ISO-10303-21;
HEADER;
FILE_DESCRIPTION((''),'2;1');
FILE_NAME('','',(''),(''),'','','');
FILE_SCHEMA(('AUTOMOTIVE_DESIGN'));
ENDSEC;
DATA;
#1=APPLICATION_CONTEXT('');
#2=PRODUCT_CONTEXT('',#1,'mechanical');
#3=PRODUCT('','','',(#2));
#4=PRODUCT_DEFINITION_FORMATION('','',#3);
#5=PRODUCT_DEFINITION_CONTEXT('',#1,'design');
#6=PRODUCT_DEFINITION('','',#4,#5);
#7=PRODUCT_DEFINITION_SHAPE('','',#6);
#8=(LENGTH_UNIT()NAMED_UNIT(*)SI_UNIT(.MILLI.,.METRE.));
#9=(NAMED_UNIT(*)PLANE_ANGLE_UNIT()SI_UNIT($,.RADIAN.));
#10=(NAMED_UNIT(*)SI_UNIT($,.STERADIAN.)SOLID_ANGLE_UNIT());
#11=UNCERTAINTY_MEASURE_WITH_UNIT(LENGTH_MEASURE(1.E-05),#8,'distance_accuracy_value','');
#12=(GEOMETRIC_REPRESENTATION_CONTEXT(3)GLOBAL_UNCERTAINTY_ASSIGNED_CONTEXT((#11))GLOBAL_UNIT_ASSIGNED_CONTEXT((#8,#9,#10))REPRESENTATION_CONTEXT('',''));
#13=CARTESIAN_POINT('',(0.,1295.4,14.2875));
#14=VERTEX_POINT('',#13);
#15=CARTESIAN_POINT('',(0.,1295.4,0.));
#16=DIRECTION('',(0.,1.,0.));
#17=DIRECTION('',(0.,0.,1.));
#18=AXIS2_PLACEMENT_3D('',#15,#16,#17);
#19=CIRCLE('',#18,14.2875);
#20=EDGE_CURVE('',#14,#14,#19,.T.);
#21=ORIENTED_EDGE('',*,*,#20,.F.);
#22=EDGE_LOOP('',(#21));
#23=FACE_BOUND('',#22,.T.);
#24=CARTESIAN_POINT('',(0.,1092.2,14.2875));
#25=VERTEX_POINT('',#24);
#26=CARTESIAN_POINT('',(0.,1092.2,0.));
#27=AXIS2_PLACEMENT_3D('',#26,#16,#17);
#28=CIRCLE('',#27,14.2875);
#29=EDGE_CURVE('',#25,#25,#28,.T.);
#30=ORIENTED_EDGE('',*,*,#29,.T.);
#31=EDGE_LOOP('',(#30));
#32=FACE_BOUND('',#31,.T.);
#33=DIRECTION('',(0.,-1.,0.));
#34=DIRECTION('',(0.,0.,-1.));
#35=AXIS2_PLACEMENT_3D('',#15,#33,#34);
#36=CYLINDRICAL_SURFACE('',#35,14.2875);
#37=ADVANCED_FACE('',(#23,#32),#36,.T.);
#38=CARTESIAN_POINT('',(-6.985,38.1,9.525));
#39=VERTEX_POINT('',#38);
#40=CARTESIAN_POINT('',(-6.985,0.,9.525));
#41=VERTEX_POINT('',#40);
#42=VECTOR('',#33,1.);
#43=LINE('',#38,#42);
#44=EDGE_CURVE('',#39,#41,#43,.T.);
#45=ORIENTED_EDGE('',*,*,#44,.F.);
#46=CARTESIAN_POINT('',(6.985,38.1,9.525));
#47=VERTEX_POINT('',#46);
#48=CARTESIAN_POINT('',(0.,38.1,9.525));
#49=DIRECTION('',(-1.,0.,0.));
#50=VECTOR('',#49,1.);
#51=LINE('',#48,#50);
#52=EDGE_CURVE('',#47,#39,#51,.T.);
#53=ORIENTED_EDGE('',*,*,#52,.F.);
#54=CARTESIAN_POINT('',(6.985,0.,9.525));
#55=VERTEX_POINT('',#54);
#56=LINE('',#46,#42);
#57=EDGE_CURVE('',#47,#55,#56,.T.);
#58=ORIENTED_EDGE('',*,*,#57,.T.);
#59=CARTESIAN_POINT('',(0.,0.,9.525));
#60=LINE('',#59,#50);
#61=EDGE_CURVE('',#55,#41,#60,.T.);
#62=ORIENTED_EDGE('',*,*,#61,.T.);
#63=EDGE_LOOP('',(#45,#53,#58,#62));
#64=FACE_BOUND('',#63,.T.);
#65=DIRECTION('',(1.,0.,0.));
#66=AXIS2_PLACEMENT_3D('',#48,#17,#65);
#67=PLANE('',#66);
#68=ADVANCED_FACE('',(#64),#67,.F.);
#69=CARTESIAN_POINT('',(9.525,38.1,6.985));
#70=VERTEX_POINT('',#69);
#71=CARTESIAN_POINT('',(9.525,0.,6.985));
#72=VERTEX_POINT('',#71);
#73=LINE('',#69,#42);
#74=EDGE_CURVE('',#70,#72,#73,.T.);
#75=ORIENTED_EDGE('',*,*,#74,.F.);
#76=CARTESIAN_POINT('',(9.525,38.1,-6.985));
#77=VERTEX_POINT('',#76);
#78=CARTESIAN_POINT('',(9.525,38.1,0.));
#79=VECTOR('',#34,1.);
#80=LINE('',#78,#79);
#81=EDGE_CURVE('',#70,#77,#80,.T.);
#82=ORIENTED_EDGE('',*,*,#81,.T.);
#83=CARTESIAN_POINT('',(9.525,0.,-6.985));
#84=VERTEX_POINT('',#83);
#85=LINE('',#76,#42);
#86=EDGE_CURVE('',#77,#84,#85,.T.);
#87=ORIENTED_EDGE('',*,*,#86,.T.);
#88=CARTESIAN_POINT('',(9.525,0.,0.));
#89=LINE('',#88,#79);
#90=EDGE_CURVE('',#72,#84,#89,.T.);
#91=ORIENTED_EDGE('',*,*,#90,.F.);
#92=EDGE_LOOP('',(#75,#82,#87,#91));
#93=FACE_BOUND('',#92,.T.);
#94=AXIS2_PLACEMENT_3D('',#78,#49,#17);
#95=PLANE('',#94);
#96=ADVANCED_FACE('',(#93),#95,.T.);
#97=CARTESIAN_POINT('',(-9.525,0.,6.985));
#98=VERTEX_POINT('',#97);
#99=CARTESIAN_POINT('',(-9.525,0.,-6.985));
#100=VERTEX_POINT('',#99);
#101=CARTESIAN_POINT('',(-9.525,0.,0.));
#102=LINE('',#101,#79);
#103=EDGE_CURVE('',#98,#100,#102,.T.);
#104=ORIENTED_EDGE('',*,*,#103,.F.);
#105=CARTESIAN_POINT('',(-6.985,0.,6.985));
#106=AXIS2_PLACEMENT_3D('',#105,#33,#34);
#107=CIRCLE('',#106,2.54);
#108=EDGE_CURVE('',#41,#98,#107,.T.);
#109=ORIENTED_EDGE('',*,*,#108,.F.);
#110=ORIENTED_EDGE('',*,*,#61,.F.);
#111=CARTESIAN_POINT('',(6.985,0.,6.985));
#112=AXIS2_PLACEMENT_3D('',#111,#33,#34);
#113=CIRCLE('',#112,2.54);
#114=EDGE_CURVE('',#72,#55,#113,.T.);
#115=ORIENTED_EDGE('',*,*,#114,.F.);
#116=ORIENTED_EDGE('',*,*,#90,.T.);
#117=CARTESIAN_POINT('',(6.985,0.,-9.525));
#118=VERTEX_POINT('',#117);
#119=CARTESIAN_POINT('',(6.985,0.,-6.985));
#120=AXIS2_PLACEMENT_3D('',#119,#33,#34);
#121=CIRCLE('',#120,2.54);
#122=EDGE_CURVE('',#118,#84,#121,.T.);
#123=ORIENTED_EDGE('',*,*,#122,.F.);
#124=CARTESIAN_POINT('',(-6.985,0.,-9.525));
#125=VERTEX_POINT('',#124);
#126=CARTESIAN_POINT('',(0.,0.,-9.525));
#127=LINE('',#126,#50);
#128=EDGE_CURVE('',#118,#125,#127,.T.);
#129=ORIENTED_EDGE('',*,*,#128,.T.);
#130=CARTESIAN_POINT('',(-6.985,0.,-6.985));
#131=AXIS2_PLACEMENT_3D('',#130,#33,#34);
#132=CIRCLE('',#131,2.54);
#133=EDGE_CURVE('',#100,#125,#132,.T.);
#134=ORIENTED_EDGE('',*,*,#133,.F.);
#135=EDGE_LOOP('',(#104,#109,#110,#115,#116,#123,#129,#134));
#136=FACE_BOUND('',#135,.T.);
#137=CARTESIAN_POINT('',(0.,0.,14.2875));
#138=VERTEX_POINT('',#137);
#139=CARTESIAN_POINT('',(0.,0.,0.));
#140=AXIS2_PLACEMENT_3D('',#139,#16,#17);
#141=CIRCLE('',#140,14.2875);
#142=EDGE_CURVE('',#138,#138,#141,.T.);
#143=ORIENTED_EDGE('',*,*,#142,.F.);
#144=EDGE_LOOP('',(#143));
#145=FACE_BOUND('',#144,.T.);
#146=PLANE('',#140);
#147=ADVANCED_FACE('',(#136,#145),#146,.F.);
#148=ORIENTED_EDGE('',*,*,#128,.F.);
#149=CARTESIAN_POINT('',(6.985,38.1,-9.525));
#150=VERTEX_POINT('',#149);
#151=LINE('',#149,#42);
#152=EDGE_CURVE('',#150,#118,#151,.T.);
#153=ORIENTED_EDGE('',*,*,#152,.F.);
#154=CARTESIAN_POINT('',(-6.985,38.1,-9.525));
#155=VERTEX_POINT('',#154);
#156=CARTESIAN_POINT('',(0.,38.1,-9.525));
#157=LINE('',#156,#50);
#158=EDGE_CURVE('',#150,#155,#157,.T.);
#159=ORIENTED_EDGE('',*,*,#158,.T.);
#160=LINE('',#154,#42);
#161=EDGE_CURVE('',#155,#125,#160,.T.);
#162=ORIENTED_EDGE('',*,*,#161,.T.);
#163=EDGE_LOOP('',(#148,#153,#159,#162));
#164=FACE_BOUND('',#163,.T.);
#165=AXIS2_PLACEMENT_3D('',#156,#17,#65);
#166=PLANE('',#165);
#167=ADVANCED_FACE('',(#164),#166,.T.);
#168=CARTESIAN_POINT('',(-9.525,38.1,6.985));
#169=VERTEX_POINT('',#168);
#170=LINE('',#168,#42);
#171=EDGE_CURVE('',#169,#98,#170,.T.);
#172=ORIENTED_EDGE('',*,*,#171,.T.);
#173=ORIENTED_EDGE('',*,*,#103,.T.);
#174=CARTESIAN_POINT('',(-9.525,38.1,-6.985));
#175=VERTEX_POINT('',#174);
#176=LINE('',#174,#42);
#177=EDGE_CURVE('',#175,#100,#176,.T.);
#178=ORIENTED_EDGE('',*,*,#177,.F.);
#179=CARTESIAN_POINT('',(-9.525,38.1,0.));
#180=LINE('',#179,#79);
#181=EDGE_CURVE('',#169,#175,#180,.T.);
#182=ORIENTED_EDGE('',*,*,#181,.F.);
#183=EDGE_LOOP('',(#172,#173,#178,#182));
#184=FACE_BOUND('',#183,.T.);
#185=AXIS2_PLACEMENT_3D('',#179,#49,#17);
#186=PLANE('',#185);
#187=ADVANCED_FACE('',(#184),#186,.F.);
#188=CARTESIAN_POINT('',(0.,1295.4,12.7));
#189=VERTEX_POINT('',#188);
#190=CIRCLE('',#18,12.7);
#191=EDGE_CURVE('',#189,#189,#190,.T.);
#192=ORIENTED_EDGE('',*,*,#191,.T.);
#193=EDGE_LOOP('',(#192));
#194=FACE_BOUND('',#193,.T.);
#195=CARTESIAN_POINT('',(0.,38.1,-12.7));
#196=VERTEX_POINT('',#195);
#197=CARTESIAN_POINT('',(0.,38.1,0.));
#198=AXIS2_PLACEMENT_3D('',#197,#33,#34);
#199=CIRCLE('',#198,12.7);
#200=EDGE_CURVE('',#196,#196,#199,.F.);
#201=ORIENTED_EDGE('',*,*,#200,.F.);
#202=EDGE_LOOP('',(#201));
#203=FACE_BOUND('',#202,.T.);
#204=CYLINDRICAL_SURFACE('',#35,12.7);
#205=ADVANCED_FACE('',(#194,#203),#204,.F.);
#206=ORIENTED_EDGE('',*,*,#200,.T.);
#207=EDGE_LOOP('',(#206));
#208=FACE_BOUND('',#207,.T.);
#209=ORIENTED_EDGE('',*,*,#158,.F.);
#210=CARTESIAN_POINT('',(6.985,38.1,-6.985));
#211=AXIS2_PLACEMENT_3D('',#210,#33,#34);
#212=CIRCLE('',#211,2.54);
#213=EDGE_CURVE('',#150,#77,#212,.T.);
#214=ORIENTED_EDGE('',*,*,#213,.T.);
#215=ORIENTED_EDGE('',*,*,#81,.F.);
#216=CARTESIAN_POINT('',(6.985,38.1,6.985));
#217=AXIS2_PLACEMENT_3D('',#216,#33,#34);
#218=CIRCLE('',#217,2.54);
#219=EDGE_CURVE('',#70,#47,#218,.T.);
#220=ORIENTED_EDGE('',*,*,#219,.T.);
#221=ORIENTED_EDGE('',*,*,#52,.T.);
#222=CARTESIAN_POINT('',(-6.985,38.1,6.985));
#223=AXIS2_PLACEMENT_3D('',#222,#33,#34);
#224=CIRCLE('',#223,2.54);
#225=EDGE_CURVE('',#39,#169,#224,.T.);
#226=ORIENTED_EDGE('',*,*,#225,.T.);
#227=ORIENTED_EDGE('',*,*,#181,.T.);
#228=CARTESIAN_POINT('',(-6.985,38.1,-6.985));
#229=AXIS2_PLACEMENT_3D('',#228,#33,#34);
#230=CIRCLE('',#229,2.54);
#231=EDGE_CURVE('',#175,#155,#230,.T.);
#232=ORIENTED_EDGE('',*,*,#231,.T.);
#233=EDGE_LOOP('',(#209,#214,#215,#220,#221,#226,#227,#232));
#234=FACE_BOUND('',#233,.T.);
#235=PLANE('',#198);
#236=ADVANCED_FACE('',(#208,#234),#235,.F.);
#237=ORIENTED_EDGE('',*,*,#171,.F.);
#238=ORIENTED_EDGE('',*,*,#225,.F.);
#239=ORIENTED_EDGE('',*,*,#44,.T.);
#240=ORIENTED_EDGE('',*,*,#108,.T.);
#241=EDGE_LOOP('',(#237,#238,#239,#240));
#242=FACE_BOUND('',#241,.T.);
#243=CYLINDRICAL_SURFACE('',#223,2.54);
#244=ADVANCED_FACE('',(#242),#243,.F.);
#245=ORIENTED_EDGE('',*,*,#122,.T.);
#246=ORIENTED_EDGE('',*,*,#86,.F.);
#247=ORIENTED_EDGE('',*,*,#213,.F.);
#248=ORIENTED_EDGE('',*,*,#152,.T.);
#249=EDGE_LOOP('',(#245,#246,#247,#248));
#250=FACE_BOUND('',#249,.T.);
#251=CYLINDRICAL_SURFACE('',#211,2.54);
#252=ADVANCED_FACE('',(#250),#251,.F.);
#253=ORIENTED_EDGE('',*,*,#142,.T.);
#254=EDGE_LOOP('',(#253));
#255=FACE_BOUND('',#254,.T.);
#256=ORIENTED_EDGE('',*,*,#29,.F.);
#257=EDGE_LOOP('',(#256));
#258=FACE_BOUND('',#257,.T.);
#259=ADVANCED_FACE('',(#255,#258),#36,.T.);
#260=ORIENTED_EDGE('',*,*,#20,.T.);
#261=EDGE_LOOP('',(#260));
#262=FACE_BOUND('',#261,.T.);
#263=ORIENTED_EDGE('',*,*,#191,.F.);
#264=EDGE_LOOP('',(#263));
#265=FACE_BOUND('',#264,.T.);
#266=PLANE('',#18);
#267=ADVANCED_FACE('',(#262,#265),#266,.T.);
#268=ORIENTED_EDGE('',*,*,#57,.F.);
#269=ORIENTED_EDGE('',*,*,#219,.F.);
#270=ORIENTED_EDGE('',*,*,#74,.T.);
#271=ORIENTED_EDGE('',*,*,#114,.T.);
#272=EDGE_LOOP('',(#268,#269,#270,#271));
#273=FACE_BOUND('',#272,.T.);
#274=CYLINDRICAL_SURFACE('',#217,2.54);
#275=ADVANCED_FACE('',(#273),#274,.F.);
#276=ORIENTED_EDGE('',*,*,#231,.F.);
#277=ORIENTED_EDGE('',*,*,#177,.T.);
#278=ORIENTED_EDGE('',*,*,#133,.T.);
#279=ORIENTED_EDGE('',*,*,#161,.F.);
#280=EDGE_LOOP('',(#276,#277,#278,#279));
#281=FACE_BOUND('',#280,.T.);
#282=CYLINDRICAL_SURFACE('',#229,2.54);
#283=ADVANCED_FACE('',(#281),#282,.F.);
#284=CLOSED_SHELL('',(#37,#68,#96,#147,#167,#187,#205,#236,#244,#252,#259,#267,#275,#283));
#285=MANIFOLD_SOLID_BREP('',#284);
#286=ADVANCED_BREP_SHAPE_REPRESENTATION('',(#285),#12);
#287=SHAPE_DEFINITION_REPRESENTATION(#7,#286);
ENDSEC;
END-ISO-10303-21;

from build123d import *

# Parameters (mm, degrees)
SKETCH1_R           = 14.2875
SKETCH1_R_2         = 12.7
BOSS_EXTRUDE1_DEPTH = 1295.4
SKETCH2_R           = 12.7
BOSS_EXTRUDE2_DEPTH = 38.1


with BuildPart() as part:
    # Sketch1 → Boss-Extrude1 (new body)
    with BuildSketch(Plane(origin=(0, 0, 0), x_dir=(1, 0, 0), z_dir=(0, 1, 0))):
        Circle(SKETCH1_R)
        Circle(SKETCH1_R_2, mode=Mode.SUBTRACT)
    extrude(amount=BOSS_EXTRUDE1_DEPTH)

    # Sketch2 → Boss-Extrude2 (add)
    with BuildSketch(Plane.XZ):
        Circle(SKETCH2_R)
        with BuildLine():
            ThreePointArc((-6.985, 9.525), (-8.781051224, 8.781051224), (-9.525, 6.985))
            Line((-9.525, 6.985), (-9.525, -6.985))
            ThreePointArc((-9.525, -6.985), (-8.781051224, -8.781051224), (-6.985, -9.525))
            Line((-6.985, -9.525), (6.985, -9.525))
            ThreePointArc((6.985, -9.525), (8.781051224, -8.781051224), (9.525, -6.985))
            Line((9.525, -6.985), (9.525, 6.985))
            ThreePointArc((9.525, 6.985), (8.781051224, 8.781051224), (6.985, 9.525))
            Line((6.985, 9.525), (-6.985, 9.525))
        make_face(mode=Mode.SUBTRACT)
    extrude(amount=-BOSS_EXTRUDE2_DEPTH)


solid = part.part
